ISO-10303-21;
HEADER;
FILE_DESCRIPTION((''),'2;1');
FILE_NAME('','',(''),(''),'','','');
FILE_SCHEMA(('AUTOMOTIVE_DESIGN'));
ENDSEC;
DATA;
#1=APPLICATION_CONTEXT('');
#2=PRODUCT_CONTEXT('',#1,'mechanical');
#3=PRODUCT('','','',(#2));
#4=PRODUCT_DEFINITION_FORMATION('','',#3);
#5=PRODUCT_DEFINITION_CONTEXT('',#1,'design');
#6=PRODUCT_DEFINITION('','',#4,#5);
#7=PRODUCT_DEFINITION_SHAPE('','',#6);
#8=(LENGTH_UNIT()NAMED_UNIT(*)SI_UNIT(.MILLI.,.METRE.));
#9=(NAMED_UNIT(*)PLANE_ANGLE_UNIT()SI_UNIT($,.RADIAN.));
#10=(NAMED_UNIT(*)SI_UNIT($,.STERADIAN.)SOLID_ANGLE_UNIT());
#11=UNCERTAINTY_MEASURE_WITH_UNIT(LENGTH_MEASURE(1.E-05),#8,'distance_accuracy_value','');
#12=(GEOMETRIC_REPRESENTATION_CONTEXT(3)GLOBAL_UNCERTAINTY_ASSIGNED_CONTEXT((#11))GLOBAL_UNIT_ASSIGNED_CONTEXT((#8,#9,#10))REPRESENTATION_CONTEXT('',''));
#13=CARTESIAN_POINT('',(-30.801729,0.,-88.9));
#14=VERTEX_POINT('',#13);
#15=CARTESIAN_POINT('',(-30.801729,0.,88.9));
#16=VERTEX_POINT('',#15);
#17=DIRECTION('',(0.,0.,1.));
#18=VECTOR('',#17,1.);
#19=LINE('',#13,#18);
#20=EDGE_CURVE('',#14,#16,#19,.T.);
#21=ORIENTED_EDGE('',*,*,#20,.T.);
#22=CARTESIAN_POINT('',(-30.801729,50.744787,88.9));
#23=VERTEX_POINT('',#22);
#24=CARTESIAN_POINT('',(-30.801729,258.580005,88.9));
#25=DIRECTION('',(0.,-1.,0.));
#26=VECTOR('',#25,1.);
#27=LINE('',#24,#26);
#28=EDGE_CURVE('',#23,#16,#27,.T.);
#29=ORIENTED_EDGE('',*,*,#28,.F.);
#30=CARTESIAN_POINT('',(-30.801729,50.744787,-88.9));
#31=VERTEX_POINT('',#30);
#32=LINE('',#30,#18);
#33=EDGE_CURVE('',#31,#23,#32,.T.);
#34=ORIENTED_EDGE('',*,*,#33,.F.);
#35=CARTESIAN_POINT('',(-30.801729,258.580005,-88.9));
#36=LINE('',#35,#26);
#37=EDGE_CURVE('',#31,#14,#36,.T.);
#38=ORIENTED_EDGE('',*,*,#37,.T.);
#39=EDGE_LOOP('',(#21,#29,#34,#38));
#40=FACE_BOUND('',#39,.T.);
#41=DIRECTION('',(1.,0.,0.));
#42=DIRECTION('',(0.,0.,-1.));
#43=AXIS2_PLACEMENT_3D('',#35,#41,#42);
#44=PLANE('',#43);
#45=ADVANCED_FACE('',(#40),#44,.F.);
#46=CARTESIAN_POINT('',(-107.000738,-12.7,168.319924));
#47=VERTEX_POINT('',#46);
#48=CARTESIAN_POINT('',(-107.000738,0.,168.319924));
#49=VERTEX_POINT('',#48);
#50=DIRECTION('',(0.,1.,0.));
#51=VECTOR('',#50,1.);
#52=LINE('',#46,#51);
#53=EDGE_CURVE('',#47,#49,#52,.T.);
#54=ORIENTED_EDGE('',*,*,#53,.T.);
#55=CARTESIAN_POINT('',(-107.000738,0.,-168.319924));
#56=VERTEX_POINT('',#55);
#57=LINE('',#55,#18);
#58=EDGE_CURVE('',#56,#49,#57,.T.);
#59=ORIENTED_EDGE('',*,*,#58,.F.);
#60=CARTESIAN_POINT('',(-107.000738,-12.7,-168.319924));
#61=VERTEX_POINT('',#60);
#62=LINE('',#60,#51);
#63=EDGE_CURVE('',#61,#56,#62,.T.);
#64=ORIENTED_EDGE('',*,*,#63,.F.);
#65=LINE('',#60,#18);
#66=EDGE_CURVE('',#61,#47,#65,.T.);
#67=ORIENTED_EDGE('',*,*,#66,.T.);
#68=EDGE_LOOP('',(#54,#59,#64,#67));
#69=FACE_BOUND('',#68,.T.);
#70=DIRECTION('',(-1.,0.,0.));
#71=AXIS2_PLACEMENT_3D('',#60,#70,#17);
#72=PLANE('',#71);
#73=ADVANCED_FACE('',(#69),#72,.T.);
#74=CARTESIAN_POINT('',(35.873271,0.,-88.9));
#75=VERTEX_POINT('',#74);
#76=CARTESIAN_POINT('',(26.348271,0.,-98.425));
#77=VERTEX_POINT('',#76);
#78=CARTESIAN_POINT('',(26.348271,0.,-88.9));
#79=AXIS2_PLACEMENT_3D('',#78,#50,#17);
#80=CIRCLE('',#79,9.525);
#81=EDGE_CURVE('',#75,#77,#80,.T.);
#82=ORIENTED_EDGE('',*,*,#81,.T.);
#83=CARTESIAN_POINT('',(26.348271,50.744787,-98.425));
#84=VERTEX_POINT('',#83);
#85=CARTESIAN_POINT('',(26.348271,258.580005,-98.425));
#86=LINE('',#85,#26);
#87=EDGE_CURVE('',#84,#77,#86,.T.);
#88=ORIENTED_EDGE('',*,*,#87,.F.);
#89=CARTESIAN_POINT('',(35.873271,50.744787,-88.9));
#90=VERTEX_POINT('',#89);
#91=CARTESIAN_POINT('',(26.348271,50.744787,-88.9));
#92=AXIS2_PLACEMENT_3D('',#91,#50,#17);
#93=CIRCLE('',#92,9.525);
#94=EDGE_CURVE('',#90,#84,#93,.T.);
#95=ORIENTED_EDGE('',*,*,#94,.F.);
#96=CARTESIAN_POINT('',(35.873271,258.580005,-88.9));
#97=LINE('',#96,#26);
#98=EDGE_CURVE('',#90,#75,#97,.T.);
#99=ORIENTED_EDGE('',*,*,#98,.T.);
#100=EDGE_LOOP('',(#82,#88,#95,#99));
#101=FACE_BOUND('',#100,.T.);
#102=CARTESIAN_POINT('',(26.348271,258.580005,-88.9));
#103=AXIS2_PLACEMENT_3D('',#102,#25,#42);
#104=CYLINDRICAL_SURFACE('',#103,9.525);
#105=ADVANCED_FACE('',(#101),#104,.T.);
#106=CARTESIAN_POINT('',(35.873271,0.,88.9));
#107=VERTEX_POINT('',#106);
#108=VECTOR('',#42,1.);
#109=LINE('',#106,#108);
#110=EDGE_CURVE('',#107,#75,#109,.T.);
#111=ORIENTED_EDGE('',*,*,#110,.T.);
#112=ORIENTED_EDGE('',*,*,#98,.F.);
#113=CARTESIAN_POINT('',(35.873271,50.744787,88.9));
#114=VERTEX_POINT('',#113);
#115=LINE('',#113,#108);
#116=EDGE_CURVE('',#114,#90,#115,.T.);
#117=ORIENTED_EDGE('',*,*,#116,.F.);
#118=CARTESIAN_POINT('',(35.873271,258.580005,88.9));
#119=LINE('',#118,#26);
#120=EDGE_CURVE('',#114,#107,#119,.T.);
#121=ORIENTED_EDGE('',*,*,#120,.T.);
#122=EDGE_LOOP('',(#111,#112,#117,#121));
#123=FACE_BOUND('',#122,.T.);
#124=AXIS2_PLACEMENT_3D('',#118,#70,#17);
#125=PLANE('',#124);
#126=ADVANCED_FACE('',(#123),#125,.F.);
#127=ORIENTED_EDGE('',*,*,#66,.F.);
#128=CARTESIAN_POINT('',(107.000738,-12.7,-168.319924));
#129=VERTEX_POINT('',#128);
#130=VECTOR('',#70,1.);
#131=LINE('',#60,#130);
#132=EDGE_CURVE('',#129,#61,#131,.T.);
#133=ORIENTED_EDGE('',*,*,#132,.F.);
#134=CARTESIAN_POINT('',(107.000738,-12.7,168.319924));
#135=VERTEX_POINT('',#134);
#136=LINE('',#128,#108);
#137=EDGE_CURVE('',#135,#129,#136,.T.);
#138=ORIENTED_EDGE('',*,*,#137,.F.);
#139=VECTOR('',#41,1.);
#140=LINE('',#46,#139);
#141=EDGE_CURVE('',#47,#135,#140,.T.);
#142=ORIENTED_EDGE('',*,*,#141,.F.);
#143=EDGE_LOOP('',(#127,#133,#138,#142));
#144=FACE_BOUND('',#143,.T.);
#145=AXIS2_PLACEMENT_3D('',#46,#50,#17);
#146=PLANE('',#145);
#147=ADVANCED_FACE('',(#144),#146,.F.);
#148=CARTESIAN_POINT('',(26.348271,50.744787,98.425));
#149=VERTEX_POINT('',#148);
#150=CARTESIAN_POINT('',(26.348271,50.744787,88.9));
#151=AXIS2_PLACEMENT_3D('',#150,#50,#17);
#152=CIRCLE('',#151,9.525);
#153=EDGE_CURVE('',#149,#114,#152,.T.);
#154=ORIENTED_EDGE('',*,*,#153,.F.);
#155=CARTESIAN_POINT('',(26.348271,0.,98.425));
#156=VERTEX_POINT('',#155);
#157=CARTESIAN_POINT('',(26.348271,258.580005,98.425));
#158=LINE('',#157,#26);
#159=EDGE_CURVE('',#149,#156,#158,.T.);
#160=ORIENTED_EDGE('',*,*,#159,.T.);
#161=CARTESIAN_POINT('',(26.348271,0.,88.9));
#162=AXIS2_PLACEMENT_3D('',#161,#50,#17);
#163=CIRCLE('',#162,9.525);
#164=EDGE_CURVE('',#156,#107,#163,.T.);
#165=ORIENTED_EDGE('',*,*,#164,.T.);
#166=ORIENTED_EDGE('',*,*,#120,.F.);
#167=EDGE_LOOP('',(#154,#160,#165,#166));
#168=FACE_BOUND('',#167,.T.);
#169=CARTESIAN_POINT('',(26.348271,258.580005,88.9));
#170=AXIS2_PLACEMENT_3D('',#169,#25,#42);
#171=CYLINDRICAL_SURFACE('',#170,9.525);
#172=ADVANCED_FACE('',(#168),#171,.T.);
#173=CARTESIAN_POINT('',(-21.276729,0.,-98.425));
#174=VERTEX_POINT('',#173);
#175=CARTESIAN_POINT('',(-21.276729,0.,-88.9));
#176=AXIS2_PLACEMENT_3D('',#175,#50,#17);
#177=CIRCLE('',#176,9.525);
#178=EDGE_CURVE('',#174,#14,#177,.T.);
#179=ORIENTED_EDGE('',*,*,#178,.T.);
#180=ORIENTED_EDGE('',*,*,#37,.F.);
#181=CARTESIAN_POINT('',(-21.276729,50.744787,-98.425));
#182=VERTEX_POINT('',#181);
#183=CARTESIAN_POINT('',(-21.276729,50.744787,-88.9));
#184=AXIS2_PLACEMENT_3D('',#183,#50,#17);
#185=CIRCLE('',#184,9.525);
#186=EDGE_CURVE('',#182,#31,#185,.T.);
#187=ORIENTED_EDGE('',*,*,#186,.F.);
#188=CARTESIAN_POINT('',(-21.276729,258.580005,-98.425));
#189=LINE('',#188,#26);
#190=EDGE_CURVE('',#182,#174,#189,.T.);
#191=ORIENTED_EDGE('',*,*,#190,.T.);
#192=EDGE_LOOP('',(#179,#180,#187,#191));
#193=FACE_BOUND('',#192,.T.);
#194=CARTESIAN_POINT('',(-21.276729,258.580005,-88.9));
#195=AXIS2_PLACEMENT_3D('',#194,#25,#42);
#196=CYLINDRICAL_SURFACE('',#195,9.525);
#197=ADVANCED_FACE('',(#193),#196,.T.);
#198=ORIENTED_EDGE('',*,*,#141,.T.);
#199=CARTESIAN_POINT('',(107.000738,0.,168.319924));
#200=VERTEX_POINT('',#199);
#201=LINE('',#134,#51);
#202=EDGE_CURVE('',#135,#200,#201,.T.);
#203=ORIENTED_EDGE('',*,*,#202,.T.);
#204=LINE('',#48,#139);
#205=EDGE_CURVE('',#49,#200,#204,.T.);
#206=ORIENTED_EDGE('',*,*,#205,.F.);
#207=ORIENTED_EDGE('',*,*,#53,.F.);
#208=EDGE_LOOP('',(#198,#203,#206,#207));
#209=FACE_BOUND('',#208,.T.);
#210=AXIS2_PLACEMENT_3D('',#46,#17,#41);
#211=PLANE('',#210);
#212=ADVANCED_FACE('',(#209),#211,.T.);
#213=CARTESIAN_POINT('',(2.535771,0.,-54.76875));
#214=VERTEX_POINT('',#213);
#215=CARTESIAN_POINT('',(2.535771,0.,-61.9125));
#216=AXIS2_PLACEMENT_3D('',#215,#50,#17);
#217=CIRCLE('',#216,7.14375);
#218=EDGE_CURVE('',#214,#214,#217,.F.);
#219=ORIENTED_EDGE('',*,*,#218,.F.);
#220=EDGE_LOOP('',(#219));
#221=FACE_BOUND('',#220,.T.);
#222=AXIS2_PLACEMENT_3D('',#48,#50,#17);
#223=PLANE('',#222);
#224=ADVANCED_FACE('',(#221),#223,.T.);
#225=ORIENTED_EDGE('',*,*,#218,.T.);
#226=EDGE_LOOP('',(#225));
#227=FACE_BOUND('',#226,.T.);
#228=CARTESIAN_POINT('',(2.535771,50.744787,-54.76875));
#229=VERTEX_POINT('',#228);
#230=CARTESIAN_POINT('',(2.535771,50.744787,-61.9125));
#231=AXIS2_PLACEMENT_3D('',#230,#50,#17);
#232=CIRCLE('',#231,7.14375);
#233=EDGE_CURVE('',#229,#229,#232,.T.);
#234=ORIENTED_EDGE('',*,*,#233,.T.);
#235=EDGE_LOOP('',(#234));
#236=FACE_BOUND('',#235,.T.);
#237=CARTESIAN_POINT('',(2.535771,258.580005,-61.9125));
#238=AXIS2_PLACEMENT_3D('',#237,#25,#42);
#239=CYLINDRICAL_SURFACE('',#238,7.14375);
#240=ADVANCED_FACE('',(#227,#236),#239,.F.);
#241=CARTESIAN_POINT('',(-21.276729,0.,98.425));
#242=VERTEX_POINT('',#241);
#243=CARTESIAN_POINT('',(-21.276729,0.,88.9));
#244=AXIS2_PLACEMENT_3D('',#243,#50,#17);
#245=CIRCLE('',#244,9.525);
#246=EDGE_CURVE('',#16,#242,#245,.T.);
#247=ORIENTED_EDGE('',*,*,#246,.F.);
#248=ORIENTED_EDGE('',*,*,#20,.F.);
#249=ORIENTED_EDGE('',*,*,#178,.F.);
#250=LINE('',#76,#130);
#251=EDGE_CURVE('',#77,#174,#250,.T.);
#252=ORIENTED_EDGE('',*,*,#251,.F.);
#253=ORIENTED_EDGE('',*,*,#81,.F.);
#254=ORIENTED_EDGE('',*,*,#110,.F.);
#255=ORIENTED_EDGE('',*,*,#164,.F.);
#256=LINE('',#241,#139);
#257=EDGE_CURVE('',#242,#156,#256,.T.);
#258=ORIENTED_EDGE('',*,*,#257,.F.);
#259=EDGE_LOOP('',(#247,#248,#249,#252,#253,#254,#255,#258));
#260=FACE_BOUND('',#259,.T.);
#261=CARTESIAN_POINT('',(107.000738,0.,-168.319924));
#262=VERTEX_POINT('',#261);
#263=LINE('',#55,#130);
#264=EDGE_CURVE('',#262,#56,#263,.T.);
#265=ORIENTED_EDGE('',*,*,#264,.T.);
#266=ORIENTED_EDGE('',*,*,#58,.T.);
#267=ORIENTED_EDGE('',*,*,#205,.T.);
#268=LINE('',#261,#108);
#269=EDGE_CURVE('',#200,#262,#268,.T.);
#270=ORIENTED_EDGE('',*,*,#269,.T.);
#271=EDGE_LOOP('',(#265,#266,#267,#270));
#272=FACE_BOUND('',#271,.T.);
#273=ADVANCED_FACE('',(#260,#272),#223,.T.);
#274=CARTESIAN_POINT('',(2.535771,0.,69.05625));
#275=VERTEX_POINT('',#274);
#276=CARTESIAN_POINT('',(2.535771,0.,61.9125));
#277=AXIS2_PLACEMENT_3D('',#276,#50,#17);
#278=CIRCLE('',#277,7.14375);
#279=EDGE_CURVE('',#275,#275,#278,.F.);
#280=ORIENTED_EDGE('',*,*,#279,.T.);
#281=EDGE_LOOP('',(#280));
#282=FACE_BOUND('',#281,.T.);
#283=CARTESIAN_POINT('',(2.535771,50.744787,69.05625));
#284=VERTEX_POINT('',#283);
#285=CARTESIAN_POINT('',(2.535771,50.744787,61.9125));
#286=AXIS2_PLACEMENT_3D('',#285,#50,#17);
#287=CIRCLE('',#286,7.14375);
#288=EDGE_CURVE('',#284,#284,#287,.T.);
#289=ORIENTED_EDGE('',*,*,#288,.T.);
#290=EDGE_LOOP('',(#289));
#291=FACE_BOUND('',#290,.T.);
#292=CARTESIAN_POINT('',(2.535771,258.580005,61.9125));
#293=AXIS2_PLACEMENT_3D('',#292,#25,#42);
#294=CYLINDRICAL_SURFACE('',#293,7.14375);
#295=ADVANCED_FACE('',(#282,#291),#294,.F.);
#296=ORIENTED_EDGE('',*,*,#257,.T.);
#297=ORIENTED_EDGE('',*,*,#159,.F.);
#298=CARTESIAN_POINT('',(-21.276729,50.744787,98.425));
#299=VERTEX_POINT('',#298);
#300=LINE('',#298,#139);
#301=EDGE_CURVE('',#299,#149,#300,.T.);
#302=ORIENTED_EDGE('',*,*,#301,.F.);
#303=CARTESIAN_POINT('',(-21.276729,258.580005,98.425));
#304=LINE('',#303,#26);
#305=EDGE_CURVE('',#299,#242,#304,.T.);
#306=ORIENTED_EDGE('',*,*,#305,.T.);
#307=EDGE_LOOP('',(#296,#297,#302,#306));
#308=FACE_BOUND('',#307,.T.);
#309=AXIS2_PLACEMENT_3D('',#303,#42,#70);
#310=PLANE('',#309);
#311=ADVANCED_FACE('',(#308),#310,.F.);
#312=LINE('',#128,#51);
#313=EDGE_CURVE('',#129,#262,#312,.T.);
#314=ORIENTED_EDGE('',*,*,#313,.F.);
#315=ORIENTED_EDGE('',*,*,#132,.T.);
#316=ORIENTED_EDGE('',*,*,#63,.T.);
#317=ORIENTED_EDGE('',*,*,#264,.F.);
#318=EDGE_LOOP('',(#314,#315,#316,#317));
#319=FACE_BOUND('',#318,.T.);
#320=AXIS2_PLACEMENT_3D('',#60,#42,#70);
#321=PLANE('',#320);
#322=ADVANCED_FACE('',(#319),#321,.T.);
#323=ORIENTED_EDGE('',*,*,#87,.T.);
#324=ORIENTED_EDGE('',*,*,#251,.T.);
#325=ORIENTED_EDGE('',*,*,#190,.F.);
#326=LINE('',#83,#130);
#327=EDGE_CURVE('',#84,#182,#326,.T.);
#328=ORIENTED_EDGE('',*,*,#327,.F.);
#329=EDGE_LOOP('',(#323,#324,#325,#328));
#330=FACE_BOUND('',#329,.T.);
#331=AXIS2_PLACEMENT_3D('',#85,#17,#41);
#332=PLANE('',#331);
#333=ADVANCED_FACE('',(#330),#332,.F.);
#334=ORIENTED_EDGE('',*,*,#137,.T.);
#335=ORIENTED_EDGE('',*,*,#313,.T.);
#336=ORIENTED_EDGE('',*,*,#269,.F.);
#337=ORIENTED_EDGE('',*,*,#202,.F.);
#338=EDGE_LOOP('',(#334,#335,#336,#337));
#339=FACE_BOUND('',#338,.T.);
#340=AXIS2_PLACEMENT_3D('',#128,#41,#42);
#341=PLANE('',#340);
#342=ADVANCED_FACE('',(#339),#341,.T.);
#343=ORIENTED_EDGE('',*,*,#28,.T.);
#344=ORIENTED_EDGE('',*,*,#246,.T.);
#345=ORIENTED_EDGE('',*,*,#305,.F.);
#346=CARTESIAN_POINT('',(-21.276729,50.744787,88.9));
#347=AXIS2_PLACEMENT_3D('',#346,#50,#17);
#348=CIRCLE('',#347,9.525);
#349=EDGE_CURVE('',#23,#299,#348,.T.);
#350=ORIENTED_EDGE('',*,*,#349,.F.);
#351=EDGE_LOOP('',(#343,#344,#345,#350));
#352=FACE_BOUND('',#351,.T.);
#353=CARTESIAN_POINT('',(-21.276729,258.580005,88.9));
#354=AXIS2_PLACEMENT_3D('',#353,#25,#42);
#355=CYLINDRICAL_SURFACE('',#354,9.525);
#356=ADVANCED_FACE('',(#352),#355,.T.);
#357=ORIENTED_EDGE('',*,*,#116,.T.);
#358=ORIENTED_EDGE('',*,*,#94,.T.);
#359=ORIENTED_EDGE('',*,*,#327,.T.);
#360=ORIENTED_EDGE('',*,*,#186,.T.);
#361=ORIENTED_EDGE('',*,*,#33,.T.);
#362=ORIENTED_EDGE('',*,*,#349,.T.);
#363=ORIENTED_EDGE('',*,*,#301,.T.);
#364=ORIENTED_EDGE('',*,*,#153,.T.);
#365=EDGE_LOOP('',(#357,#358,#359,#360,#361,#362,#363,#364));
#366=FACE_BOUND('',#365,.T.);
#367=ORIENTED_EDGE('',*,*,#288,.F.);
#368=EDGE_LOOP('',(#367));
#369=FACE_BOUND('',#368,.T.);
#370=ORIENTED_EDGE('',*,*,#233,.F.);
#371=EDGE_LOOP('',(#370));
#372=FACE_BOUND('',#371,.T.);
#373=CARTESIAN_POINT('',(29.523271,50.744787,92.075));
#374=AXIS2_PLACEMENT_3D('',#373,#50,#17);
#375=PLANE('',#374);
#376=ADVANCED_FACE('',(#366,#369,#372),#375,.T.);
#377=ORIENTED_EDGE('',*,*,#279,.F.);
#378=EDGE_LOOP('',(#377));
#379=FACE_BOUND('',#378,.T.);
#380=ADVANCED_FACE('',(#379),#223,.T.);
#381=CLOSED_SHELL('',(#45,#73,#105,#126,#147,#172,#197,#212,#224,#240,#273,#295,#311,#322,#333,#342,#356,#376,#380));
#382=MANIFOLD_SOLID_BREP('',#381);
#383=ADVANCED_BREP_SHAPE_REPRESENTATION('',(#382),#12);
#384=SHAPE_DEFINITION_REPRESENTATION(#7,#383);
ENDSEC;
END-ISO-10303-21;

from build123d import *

# Parameters (mm, degrees)
SKETCH1_W      = 214.001476942
SKETCH1_H      = 336.63984765
EXTRUDE1_DEPTH = 12.7
SKETCH2_R      = 7.14375
EXTRUDE2_DEPTH = 50.744786622


with BuildPart() as part:
    # Sketch1 → Extrude1 (new body)
    with BuildSketch(Plane(origin=(0, 0, 0), x_dir=(1, 0, 0), z_dir=(0, 1, 0))):
        Rectangle(SKETCH1_W, SKETCH1_H)
    extrude(amount=-EXTRUDE1_DEPTH)

    # Sketch2 → Extrude2 (add)
    with BuildSketch(Plane(origin=(0, 0, 0), x_dir=(-1, 0, 0), z_dir=(0, 1, 0))):
        with BuildLine():
            Line((-35.873271056, 88.9), (-35.873271056, -88.9))
            ThreePointArc((-35.873271056, -88.9), (-33.083463147, -95.635192091), (-26.348271056, -98.425))
            Line((-26.348271056, -98.425), (21.276728944, -98.425))
            ThreePointArc((21.276728944, -98.425), (28.011921035, -95.635192091), (30.801728944, -88.9))
            Line((30.801728944, -88.9), (30.801728944, 88.9))
            ThreePointArc((30.801728944, 88.9), (28.011921035, 95.635192091), (21.276728944, 98.425))
            Line((21.276728944, 98.425), (-26.348271056, 98.425))
            ThreePointArc((-26.348271056, 98.425), (-33.083463147, 95.635192091), (-35.873271056, 88.9))
        make_face()
        with Locations(Location((-2.535771056, 61.9125, 0), (0, 0, 90))):
            Circle(SKETCH2_R, mode=Mode.SUBTRACT)
        with Locations(Location((-2.535771056, -61.9125, 0), (0, 0, 90))):
            Circle(SKETCH2_R, mode=Mode.SUBTRACT)
    extrude(amount=EXTRUDE2_DEPTH)


solid = part.part
